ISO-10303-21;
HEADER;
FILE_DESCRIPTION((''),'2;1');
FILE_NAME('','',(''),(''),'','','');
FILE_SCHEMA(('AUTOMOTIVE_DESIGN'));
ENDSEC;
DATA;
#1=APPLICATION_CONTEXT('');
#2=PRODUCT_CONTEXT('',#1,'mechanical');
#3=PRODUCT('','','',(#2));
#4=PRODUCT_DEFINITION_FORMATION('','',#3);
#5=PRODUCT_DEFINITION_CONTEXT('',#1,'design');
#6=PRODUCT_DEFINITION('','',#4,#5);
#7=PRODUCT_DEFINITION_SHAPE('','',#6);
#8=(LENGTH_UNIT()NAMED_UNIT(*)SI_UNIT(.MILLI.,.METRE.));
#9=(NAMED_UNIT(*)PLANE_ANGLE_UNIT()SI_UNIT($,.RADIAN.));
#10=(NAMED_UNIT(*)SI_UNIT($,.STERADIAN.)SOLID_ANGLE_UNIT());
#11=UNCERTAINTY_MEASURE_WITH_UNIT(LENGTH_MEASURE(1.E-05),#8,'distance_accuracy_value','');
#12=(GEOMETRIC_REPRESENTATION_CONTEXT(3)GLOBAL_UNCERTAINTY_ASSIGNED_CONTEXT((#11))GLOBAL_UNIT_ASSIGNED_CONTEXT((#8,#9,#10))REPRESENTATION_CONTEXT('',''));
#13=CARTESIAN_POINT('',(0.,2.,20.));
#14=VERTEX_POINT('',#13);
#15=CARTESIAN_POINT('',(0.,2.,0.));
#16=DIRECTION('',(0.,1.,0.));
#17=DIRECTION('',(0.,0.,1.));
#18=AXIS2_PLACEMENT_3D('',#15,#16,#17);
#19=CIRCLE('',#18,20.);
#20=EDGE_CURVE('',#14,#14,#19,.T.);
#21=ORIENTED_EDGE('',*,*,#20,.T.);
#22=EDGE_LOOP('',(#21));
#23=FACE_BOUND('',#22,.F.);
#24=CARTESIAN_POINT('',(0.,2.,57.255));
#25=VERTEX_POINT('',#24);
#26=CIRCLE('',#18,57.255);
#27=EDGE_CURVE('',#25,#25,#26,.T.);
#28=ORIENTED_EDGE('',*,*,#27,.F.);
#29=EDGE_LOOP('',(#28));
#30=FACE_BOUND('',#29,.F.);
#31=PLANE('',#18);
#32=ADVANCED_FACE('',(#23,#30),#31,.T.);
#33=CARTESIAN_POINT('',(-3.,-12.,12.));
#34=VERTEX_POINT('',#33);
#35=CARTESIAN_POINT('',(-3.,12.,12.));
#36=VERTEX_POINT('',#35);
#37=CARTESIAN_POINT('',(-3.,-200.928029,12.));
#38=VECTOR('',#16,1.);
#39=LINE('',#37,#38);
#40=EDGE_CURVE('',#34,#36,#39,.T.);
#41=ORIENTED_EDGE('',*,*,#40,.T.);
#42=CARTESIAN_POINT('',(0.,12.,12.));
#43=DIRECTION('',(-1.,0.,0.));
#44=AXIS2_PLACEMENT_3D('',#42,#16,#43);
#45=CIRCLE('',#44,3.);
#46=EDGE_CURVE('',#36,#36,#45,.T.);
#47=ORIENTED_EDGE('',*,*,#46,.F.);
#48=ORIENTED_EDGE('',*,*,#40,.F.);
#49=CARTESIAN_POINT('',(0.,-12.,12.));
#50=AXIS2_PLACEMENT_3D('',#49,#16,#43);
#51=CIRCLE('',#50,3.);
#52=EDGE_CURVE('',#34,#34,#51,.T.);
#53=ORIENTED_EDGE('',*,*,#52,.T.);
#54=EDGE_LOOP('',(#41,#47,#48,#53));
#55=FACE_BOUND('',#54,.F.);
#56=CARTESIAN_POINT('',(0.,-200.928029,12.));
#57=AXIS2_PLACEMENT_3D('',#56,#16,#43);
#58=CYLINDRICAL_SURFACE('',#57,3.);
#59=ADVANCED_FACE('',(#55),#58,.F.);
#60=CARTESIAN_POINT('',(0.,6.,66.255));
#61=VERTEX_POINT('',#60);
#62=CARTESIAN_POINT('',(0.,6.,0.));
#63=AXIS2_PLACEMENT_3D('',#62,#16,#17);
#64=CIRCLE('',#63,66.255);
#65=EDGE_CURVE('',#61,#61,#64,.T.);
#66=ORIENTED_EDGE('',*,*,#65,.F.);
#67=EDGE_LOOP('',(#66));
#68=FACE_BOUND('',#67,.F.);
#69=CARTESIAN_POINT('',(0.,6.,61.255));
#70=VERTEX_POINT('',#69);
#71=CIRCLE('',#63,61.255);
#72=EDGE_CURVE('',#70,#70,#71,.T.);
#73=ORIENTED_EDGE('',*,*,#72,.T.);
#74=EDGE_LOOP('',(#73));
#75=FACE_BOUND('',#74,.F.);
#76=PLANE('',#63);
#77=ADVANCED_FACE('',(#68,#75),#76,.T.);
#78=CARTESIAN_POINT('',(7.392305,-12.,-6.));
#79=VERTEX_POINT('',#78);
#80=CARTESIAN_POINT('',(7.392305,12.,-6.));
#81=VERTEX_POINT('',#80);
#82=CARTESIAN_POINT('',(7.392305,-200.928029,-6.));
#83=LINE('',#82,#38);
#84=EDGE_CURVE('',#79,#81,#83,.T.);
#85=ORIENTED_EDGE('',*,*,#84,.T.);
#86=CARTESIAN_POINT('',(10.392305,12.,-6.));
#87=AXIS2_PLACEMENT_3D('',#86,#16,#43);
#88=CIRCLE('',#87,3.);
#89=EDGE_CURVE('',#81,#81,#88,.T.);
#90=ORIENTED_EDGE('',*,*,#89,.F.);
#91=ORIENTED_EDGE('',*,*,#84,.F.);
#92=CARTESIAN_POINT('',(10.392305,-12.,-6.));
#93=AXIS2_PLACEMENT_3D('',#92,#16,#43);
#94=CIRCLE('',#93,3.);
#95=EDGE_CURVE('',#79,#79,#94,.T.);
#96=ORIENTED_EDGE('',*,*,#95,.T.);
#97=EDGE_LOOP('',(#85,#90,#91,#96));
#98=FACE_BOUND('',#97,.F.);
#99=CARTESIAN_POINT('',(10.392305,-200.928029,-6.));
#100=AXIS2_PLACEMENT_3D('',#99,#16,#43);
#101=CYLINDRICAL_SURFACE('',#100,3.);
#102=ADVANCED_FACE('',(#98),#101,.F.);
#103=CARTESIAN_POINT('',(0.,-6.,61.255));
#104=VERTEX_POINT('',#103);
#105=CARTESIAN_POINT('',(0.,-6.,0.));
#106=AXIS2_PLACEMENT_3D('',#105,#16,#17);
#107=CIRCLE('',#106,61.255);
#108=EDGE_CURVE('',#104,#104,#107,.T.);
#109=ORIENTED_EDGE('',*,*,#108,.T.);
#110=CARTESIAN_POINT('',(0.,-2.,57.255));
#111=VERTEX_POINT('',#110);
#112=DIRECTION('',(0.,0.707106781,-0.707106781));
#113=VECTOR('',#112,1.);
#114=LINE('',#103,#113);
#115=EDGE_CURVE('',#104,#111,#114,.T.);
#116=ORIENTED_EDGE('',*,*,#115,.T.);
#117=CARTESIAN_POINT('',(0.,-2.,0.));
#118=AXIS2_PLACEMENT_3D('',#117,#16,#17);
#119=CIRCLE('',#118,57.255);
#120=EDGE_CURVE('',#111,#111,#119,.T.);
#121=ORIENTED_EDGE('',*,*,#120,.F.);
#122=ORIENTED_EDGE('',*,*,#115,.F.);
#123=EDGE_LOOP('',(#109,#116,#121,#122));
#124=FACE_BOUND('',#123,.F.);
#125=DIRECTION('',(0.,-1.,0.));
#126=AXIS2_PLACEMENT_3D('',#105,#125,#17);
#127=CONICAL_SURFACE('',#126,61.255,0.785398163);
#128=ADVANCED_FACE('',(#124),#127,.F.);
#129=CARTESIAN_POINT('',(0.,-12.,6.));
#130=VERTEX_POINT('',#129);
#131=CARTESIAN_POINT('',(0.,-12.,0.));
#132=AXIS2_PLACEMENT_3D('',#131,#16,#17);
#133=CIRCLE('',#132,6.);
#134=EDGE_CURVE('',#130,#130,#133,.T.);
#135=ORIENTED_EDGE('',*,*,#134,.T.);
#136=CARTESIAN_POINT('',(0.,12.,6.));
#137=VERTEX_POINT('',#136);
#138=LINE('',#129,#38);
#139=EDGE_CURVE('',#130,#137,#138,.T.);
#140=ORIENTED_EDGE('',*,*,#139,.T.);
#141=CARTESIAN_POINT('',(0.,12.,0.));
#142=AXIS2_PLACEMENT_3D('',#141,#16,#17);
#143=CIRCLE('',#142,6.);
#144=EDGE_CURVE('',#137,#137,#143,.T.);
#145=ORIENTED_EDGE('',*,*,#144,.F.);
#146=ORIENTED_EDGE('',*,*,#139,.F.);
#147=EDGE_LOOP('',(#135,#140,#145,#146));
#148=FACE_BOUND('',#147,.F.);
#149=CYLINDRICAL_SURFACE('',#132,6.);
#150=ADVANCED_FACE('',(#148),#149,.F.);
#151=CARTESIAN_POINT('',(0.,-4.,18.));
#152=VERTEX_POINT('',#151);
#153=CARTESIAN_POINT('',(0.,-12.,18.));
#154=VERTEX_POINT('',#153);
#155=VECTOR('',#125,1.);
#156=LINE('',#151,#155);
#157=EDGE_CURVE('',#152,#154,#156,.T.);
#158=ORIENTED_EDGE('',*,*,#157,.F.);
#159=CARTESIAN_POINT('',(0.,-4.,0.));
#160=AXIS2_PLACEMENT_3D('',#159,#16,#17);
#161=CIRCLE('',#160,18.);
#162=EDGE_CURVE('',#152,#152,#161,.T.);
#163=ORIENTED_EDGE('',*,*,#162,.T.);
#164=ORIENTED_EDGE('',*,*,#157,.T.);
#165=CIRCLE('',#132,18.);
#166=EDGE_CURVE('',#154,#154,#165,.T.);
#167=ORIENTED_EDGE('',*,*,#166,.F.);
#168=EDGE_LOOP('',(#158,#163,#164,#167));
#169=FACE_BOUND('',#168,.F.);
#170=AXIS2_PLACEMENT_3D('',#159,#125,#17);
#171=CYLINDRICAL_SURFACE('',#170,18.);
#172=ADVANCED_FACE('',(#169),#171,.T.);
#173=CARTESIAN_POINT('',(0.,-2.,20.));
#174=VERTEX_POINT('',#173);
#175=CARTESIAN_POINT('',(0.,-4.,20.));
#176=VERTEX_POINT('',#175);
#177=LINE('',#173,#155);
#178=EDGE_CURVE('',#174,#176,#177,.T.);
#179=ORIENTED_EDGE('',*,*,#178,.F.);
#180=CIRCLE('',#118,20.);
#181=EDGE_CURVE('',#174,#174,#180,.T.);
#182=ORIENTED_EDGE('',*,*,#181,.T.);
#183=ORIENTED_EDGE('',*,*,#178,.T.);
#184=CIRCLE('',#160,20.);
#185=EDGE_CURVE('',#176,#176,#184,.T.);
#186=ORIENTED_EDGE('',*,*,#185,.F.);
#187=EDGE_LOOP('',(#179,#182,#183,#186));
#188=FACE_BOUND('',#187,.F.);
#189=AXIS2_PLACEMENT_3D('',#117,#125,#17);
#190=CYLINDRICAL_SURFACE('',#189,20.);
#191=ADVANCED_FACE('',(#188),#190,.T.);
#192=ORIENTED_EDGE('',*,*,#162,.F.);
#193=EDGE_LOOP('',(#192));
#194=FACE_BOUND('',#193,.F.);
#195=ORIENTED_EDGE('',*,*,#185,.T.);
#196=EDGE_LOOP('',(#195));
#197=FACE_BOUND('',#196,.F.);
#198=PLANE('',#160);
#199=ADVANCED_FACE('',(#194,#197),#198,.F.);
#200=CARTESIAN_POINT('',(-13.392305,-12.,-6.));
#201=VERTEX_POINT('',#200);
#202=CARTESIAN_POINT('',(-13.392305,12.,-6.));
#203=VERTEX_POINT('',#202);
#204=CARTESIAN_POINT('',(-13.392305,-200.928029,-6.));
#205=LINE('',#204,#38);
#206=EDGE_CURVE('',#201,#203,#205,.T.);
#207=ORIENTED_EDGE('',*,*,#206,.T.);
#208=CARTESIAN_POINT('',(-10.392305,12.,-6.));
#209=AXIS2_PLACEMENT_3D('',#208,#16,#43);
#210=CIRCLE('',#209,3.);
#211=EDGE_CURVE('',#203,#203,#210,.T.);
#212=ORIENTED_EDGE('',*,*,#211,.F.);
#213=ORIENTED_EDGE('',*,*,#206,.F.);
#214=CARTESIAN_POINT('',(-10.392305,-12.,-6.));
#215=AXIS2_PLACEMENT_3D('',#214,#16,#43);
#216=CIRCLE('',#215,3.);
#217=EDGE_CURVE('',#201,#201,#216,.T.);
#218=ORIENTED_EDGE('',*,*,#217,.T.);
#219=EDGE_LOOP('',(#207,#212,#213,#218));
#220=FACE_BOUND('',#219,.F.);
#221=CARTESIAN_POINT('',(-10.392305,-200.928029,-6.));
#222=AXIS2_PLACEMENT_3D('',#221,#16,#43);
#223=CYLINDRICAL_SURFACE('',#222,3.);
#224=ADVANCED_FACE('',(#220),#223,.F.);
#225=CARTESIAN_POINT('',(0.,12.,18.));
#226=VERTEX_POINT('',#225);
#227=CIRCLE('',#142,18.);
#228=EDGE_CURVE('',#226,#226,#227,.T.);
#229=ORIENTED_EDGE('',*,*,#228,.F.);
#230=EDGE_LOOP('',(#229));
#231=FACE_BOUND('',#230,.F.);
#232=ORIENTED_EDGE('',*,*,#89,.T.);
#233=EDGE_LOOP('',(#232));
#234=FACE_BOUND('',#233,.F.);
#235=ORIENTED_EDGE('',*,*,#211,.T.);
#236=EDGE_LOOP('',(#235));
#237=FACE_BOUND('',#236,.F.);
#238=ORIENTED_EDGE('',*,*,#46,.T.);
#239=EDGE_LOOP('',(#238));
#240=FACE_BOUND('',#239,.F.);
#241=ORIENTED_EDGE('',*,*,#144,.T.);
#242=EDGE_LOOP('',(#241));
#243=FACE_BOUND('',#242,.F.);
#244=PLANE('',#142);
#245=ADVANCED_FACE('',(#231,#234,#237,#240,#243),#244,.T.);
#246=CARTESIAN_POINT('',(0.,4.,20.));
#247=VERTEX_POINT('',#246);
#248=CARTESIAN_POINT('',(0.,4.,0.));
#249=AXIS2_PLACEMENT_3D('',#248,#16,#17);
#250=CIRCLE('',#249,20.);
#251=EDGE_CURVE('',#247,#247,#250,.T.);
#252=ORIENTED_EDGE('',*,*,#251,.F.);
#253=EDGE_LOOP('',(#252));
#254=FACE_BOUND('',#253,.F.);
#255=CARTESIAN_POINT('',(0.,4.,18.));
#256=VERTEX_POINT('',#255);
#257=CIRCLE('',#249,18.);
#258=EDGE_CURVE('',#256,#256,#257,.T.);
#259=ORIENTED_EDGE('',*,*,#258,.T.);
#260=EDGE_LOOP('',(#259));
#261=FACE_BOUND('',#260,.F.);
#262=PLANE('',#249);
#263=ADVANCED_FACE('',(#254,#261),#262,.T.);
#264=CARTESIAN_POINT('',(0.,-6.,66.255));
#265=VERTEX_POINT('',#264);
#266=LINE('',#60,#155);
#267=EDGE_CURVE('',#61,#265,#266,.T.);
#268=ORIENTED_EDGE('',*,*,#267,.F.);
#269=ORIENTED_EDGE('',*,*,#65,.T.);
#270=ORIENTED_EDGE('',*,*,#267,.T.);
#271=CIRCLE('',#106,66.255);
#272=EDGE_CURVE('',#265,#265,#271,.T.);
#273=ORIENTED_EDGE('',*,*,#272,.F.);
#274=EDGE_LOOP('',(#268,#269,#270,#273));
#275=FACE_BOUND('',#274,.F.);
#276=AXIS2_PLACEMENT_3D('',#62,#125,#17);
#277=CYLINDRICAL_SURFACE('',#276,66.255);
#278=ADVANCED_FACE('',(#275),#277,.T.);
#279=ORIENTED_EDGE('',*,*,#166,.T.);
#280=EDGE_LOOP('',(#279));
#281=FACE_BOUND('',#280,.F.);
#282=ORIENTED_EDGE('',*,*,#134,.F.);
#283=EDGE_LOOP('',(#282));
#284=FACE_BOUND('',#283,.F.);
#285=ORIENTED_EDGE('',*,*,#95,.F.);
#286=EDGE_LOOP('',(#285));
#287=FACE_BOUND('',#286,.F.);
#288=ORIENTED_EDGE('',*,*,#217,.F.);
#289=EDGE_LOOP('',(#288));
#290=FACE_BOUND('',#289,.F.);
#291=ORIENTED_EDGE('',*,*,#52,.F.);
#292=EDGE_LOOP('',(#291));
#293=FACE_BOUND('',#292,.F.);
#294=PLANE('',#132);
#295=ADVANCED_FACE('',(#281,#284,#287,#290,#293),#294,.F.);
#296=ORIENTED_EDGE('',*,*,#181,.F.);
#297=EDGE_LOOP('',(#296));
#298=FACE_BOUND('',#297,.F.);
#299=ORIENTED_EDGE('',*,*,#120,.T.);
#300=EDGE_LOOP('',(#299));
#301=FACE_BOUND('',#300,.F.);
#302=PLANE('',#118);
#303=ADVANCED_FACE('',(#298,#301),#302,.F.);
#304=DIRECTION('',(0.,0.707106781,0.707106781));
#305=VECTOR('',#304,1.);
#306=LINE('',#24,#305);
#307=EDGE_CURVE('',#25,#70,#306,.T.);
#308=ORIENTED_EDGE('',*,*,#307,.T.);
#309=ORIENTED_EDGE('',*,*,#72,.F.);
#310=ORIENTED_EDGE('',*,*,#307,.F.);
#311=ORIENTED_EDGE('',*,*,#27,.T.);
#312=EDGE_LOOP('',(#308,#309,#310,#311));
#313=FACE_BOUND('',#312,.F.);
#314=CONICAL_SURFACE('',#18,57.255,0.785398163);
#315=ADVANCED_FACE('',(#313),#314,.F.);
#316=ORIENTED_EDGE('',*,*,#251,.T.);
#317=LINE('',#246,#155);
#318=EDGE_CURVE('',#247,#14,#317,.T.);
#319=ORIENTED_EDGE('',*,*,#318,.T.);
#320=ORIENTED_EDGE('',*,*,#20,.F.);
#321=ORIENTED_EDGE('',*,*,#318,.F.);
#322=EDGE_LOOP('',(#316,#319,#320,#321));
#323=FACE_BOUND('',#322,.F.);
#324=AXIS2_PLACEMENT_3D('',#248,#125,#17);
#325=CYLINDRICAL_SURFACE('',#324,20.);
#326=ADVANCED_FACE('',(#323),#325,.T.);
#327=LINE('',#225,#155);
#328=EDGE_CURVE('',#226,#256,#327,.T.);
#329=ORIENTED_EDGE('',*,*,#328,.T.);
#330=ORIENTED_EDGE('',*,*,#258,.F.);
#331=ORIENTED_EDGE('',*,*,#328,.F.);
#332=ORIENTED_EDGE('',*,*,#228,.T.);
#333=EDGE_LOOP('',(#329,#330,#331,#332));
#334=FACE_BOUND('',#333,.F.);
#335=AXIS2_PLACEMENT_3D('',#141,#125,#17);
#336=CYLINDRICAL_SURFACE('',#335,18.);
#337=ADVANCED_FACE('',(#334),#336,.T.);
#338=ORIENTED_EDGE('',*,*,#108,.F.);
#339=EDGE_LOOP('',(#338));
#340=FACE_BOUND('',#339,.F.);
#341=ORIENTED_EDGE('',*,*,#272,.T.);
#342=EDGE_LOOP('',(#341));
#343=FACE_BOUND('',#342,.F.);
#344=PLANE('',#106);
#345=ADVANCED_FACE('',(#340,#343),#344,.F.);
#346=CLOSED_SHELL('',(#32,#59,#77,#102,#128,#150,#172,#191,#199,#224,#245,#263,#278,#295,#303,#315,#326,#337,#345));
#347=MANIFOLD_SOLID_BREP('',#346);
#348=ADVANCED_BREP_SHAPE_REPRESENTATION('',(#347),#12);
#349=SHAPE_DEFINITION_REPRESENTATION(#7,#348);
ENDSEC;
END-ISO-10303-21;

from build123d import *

# Parameters (mm, degrees)
F3_D = 6


with BuildPart() as f1:
    # F0 (on Right) → F1 (revolve)
    with BuildSketch(Plane.YZ):
        Polygon((6, 66.255), (0, 66.255), (-6, 66.255), (-6, 61.255), (-2, 57.255), (-2, 20), (-4, 20), (-4, 18), (-12, 18), (-12, 6), (0, 6), (12, 6), (12, 18), (4, 18), (4, 20), (2, 20), (2, 57.255), (6, 61.255), align=None)
    revolve(axis=Axis((0, -0.102617, 0), (0, 1, 0)))

    # F3 (through all)
    with Locations(Plane.XZ.offset(12)):
        with Locations((0, 12), (10.392305, -6), (-10.392305, -6)):
            Hole(F3_D / 2)


solid = f1.part
